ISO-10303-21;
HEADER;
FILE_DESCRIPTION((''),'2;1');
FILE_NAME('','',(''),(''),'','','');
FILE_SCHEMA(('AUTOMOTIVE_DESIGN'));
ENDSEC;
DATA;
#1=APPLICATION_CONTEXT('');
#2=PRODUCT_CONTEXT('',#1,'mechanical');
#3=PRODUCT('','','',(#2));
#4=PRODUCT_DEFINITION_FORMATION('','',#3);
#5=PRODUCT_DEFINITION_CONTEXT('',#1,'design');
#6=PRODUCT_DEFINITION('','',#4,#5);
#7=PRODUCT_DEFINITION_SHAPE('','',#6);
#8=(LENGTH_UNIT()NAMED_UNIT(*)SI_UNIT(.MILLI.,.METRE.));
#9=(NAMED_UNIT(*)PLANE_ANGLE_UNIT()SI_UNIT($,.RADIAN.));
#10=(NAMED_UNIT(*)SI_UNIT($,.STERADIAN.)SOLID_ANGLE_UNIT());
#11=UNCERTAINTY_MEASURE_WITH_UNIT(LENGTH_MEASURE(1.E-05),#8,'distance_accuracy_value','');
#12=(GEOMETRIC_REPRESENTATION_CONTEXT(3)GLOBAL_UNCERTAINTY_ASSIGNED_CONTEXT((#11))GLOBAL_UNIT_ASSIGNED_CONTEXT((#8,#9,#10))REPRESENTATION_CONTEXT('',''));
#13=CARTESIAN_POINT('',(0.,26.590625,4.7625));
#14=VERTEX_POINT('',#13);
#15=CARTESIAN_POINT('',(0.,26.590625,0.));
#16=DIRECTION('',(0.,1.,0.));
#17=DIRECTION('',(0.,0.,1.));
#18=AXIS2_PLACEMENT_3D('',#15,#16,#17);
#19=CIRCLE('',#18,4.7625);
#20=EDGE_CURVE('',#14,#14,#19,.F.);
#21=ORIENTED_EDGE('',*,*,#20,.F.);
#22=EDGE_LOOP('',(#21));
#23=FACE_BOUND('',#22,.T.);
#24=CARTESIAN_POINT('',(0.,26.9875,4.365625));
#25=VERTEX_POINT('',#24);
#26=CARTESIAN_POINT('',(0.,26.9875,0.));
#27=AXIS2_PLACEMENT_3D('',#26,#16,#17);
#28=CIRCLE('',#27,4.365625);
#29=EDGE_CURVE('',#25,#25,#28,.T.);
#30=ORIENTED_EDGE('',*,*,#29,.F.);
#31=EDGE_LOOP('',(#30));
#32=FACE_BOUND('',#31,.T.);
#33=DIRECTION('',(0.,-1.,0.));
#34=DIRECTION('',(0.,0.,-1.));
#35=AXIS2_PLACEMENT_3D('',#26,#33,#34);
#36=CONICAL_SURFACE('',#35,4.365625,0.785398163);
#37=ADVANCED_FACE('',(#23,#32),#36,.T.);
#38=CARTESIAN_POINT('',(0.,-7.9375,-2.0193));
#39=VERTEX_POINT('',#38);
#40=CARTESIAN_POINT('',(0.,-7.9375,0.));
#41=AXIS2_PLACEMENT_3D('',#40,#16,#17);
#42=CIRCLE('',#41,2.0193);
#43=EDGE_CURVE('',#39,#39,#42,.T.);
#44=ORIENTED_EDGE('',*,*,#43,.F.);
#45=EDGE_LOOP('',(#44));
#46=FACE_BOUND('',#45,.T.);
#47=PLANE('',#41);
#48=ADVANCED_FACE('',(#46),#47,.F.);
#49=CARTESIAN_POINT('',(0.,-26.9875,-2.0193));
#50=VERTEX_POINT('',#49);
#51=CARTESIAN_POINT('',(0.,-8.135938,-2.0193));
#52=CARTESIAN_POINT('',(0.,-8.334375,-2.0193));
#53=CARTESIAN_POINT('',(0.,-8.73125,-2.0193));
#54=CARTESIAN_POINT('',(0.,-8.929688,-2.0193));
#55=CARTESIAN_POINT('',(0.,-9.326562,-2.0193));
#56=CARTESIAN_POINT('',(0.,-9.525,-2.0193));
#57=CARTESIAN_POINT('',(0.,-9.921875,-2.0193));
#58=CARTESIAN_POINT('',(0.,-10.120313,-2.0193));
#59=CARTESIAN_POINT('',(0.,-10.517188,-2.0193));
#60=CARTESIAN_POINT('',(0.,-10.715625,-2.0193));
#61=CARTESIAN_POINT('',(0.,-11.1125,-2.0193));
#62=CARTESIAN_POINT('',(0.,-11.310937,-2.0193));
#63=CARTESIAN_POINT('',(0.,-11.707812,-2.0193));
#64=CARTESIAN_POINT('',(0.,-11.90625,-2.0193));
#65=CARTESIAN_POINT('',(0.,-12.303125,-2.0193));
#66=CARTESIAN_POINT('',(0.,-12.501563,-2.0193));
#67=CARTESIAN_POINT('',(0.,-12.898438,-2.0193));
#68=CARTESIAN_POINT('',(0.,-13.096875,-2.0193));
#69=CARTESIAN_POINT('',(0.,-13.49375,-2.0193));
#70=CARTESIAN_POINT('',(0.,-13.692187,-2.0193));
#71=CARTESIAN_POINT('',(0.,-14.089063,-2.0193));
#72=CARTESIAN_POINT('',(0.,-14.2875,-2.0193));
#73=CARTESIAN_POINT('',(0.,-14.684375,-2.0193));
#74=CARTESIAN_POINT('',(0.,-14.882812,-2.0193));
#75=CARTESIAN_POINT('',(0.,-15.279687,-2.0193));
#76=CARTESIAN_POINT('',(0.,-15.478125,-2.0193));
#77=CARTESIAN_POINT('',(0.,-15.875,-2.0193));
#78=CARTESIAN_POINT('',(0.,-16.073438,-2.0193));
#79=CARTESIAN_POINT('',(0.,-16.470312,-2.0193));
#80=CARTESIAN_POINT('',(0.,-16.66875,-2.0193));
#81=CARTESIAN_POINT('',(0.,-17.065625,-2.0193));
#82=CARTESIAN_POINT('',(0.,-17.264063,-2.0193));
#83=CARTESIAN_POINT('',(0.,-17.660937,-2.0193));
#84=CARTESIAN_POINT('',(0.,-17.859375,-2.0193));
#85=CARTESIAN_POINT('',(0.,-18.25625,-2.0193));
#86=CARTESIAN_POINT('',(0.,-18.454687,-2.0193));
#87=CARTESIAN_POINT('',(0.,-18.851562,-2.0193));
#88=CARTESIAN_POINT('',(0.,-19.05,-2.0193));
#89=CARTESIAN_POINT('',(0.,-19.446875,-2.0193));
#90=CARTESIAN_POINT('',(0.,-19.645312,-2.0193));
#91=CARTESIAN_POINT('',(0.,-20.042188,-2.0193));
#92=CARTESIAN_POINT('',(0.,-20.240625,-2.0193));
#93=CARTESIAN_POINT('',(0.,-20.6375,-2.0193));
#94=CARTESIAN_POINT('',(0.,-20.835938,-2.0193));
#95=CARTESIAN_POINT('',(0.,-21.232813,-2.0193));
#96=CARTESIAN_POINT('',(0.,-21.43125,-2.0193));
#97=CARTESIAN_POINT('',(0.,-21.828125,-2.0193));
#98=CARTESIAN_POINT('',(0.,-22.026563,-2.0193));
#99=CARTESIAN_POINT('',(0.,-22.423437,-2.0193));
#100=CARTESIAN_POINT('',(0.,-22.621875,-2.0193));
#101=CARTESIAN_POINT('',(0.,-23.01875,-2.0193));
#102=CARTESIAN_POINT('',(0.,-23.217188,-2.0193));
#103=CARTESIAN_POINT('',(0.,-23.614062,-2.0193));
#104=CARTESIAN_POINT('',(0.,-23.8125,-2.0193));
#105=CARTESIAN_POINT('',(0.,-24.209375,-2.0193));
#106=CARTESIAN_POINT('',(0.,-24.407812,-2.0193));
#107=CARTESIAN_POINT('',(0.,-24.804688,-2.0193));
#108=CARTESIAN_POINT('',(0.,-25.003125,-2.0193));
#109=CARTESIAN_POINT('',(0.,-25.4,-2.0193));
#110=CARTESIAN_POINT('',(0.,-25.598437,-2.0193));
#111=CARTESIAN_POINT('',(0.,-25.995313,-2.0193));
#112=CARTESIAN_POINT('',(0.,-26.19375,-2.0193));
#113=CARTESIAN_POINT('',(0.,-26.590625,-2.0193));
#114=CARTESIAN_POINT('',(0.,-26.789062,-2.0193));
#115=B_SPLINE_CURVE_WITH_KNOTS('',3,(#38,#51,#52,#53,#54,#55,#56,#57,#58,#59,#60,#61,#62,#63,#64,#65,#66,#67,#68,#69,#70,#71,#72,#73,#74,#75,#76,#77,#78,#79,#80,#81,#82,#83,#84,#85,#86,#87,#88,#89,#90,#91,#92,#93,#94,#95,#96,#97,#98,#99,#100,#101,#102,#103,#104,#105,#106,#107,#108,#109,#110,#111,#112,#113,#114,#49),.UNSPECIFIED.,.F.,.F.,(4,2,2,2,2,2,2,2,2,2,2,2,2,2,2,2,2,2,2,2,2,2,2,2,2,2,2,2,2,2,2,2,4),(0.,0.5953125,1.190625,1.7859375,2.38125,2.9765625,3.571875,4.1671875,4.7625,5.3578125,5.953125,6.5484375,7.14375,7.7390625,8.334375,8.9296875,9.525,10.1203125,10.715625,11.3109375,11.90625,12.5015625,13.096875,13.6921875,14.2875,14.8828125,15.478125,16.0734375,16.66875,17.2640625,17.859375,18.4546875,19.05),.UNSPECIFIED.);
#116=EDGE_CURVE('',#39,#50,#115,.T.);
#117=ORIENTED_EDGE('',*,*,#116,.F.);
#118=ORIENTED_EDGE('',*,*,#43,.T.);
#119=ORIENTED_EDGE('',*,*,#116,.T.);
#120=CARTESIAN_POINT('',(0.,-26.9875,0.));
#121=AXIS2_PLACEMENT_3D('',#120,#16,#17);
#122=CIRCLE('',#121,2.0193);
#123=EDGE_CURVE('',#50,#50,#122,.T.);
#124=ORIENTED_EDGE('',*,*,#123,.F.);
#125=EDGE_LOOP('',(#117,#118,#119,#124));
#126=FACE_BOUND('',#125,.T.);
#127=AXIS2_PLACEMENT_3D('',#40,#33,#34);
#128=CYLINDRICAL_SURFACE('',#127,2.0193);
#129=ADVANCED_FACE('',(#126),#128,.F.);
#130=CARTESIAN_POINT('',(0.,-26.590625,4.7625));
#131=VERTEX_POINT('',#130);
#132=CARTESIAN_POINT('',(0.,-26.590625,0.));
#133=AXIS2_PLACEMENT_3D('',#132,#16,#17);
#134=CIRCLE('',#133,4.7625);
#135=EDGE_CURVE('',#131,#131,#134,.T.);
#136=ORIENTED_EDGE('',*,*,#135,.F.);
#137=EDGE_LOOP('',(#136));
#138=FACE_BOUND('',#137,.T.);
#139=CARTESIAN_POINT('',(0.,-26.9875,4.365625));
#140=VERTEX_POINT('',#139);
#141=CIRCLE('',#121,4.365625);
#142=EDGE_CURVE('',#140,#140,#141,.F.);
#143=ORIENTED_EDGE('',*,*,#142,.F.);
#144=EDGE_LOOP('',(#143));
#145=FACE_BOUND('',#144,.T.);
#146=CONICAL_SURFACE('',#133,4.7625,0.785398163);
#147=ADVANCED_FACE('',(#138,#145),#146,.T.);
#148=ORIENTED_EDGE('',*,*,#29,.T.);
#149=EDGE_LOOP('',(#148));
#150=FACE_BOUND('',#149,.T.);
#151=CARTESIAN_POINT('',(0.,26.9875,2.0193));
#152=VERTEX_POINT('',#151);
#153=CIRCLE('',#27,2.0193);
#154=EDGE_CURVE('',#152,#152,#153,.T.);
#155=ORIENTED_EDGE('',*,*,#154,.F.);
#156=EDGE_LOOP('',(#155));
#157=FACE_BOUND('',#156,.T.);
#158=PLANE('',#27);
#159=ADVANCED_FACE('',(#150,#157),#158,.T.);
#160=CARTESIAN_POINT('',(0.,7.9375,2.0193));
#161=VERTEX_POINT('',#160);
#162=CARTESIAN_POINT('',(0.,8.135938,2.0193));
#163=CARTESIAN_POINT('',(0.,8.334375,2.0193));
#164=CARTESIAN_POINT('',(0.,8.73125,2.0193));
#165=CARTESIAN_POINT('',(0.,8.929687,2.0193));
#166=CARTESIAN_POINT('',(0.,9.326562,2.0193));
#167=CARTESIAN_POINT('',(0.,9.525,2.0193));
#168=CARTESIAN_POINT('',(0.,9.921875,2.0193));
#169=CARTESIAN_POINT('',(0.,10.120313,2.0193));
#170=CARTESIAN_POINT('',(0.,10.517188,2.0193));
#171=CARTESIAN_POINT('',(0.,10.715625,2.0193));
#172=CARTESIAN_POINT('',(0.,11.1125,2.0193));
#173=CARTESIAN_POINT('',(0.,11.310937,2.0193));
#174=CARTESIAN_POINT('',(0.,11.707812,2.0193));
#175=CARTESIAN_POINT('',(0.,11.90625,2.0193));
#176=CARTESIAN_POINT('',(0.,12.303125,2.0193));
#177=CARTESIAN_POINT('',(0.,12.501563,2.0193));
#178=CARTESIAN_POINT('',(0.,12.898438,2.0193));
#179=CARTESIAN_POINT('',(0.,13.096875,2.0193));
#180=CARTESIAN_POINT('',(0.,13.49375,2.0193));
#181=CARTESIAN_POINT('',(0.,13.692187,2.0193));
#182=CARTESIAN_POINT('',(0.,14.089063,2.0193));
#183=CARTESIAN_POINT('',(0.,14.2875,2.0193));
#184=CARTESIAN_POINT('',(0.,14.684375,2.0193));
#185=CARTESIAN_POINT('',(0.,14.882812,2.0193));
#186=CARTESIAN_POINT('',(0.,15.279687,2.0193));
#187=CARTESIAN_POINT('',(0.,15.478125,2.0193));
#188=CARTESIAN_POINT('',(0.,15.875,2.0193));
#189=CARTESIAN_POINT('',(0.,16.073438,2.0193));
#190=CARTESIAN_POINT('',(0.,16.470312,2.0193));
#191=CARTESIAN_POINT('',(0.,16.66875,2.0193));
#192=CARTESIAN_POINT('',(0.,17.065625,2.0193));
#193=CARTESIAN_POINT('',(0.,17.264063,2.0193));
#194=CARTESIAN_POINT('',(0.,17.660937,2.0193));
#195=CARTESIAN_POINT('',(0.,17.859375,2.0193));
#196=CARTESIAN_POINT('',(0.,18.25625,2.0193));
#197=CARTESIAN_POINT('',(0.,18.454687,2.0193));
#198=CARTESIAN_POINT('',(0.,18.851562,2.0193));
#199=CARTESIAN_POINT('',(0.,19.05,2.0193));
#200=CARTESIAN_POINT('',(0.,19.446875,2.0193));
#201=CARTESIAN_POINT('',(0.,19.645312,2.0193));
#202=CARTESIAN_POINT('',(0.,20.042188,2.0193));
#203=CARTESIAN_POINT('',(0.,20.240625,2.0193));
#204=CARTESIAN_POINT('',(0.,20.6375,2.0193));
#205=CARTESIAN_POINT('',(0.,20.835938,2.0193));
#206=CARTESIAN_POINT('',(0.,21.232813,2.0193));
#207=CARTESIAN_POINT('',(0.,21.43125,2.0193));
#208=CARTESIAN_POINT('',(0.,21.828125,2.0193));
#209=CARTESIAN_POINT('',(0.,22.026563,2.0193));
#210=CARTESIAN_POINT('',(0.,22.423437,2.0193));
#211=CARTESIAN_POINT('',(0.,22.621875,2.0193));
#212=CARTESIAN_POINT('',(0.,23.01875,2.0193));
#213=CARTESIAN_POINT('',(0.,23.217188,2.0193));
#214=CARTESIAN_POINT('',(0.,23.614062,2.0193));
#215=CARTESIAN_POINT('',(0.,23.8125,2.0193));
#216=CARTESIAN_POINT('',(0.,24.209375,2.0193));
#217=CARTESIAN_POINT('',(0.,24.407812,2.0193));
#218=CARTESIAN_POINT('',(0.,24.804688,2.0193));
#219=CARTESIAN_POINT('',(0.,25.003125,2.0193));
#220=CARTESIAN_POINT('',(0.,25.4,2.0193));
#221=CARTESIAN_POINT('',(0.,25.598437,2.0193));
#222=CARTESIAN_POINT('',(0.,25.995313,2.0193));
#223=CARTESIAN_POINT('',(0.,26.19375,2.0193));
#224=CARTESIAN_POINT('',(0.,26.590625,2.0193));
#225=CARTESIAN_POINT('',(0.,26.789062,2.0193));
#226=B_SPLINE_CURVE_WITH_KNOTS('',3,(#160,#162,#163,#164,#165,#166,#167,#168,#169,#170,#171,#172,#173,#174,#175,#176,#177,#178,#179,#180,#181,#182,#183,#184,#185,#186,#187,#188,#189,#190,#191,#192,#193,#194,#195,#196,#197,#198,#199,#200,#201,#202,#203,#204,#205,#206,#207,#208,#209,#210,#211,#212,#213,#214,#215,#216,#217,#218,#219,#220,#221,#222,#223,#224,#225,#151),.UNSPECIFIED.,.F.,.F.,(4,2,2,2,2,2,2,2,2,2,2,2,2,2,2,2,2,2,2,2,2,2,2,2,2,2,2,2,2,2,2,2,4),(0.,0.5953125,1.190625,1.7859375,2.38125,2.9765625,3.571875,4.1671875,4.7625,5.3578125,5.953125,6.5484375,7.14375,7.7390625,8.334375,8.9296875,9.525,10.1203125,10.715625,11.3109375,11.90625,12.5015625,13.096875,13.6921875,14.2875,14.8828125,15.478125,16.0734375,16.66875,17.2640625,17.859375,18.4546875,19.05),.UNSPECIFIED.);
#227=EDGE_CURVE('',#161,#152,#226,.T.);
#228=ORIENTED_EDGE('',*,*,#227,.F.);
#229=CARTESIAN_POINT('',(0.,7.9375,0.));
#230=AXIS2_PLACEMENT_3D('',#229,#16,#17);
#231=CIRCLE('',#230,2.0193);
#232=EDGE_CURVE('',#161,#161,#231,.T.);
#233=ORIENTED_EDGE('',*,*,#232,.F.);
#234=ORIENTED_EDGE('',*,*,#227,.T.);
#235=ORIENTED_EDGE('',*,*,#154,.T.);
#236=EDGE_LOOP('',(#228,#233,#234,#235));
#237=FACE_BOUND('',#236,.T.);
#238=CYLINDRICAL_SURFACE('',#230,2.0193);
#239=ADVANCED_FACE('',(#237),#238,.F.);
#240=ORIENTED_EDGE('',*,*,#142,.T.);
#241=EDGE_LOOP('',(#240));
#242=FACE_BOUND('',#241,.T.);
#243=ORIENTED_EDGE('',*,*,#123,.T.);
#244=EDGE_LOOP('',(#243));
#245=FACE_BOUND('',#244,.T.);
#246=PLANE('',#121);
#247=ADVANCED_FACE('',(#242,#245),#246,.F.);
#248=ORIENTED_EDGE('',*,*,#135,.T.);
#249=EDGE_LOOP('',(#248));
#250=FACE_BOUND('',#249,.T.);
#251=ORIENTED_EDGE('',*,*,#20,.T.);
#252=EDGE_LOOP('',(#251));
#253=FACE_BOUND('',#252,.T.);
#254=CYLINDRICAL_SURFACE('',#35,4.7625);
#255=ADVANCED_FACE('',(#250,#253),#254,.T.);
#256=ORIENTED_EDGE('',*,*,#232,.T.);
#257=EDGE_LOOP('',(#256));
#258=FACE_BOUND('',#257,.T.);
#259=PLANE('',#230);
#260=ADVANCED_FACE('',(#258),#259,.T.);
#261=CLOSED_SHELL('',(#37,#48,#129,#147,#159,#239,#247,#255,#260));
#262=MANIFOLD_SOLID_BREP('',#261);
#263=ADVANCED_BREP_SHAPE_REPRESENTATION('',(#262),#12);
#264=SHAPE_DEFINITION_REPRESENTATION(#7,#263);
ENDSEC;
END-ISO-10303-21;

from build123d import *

# Parameters (mm, degrees)
CROQUIS2_R              = 4.7625
SALIENTE_EXTRUIR1_DEPTH = 26.9875
CHAFL_N1_SIZE           = 0.396875
TAP_START               = 26.9875
CROQUIS3_R              = 2.0193
TAP_HOLE_1_DEPTH        = 19.05
TAP_START_2             = -7.9375
CROQUIS3_2_R            = 2.0193
TAP_HOLE_2_DEPTH        = 19.05


with BuildPart() as part:
    # Croquis2 → Saliente-Extruir1 (new, symmetric)
    with BuildSketch(Plane(origin=(0, 0, 0), x_dir=(1, 0, 0), z_dir=(0, 1, 0))):
        with Locations(Location((0, 0, 0), (0, 0, 270))):
            Circle(CROQUIS2_R)
    extrude(amount=SALIENTE_EXTRUIR1_DEPTH, both=True)

    # Chaflán1
    chafl_n1_edges = [part.edges().sort_by_distance(p)[0] for p in [
        (0, -26.9875, -4.7625),
        (0, 26.9875, -4.7625),
    ]]
    chamfer(chafl_n1_edges, length=CHAFL_N1_SIZE)

    # Croquis3 → Tap Hole 1 (cut)
    with BuildSketch(Plane(origin=(0, 0, 0), x_dir=(1, 0, 0), z_dir=(0, 1, 0)).offset(TAP_START)):
        with Locations(Location((0, 0, 0), (0, 0, 270))):
            Circle(CROQUIS3_R)
    extrude(amount=-TAP_HOLE_1_DEPTH, mode=Mode.SUBTRACT)

    # Croquis3<2> → Tap Hole 2 (cut)
    with BuildSketch(Plane(origin=(0, 0, 0), x_dir=(1, 0, 0), z_dir=(0, 1, 0)).offset(TAP_START_2)):
        with Locations(Location((0, 0, 0), (0, 0, 270))):
            Circle(CROQUIS3_2_R)
    extrude(amount=-TAP_HOLE_2_DEPTH, mode=Mode.SUBTRACT)


solid = part.part
